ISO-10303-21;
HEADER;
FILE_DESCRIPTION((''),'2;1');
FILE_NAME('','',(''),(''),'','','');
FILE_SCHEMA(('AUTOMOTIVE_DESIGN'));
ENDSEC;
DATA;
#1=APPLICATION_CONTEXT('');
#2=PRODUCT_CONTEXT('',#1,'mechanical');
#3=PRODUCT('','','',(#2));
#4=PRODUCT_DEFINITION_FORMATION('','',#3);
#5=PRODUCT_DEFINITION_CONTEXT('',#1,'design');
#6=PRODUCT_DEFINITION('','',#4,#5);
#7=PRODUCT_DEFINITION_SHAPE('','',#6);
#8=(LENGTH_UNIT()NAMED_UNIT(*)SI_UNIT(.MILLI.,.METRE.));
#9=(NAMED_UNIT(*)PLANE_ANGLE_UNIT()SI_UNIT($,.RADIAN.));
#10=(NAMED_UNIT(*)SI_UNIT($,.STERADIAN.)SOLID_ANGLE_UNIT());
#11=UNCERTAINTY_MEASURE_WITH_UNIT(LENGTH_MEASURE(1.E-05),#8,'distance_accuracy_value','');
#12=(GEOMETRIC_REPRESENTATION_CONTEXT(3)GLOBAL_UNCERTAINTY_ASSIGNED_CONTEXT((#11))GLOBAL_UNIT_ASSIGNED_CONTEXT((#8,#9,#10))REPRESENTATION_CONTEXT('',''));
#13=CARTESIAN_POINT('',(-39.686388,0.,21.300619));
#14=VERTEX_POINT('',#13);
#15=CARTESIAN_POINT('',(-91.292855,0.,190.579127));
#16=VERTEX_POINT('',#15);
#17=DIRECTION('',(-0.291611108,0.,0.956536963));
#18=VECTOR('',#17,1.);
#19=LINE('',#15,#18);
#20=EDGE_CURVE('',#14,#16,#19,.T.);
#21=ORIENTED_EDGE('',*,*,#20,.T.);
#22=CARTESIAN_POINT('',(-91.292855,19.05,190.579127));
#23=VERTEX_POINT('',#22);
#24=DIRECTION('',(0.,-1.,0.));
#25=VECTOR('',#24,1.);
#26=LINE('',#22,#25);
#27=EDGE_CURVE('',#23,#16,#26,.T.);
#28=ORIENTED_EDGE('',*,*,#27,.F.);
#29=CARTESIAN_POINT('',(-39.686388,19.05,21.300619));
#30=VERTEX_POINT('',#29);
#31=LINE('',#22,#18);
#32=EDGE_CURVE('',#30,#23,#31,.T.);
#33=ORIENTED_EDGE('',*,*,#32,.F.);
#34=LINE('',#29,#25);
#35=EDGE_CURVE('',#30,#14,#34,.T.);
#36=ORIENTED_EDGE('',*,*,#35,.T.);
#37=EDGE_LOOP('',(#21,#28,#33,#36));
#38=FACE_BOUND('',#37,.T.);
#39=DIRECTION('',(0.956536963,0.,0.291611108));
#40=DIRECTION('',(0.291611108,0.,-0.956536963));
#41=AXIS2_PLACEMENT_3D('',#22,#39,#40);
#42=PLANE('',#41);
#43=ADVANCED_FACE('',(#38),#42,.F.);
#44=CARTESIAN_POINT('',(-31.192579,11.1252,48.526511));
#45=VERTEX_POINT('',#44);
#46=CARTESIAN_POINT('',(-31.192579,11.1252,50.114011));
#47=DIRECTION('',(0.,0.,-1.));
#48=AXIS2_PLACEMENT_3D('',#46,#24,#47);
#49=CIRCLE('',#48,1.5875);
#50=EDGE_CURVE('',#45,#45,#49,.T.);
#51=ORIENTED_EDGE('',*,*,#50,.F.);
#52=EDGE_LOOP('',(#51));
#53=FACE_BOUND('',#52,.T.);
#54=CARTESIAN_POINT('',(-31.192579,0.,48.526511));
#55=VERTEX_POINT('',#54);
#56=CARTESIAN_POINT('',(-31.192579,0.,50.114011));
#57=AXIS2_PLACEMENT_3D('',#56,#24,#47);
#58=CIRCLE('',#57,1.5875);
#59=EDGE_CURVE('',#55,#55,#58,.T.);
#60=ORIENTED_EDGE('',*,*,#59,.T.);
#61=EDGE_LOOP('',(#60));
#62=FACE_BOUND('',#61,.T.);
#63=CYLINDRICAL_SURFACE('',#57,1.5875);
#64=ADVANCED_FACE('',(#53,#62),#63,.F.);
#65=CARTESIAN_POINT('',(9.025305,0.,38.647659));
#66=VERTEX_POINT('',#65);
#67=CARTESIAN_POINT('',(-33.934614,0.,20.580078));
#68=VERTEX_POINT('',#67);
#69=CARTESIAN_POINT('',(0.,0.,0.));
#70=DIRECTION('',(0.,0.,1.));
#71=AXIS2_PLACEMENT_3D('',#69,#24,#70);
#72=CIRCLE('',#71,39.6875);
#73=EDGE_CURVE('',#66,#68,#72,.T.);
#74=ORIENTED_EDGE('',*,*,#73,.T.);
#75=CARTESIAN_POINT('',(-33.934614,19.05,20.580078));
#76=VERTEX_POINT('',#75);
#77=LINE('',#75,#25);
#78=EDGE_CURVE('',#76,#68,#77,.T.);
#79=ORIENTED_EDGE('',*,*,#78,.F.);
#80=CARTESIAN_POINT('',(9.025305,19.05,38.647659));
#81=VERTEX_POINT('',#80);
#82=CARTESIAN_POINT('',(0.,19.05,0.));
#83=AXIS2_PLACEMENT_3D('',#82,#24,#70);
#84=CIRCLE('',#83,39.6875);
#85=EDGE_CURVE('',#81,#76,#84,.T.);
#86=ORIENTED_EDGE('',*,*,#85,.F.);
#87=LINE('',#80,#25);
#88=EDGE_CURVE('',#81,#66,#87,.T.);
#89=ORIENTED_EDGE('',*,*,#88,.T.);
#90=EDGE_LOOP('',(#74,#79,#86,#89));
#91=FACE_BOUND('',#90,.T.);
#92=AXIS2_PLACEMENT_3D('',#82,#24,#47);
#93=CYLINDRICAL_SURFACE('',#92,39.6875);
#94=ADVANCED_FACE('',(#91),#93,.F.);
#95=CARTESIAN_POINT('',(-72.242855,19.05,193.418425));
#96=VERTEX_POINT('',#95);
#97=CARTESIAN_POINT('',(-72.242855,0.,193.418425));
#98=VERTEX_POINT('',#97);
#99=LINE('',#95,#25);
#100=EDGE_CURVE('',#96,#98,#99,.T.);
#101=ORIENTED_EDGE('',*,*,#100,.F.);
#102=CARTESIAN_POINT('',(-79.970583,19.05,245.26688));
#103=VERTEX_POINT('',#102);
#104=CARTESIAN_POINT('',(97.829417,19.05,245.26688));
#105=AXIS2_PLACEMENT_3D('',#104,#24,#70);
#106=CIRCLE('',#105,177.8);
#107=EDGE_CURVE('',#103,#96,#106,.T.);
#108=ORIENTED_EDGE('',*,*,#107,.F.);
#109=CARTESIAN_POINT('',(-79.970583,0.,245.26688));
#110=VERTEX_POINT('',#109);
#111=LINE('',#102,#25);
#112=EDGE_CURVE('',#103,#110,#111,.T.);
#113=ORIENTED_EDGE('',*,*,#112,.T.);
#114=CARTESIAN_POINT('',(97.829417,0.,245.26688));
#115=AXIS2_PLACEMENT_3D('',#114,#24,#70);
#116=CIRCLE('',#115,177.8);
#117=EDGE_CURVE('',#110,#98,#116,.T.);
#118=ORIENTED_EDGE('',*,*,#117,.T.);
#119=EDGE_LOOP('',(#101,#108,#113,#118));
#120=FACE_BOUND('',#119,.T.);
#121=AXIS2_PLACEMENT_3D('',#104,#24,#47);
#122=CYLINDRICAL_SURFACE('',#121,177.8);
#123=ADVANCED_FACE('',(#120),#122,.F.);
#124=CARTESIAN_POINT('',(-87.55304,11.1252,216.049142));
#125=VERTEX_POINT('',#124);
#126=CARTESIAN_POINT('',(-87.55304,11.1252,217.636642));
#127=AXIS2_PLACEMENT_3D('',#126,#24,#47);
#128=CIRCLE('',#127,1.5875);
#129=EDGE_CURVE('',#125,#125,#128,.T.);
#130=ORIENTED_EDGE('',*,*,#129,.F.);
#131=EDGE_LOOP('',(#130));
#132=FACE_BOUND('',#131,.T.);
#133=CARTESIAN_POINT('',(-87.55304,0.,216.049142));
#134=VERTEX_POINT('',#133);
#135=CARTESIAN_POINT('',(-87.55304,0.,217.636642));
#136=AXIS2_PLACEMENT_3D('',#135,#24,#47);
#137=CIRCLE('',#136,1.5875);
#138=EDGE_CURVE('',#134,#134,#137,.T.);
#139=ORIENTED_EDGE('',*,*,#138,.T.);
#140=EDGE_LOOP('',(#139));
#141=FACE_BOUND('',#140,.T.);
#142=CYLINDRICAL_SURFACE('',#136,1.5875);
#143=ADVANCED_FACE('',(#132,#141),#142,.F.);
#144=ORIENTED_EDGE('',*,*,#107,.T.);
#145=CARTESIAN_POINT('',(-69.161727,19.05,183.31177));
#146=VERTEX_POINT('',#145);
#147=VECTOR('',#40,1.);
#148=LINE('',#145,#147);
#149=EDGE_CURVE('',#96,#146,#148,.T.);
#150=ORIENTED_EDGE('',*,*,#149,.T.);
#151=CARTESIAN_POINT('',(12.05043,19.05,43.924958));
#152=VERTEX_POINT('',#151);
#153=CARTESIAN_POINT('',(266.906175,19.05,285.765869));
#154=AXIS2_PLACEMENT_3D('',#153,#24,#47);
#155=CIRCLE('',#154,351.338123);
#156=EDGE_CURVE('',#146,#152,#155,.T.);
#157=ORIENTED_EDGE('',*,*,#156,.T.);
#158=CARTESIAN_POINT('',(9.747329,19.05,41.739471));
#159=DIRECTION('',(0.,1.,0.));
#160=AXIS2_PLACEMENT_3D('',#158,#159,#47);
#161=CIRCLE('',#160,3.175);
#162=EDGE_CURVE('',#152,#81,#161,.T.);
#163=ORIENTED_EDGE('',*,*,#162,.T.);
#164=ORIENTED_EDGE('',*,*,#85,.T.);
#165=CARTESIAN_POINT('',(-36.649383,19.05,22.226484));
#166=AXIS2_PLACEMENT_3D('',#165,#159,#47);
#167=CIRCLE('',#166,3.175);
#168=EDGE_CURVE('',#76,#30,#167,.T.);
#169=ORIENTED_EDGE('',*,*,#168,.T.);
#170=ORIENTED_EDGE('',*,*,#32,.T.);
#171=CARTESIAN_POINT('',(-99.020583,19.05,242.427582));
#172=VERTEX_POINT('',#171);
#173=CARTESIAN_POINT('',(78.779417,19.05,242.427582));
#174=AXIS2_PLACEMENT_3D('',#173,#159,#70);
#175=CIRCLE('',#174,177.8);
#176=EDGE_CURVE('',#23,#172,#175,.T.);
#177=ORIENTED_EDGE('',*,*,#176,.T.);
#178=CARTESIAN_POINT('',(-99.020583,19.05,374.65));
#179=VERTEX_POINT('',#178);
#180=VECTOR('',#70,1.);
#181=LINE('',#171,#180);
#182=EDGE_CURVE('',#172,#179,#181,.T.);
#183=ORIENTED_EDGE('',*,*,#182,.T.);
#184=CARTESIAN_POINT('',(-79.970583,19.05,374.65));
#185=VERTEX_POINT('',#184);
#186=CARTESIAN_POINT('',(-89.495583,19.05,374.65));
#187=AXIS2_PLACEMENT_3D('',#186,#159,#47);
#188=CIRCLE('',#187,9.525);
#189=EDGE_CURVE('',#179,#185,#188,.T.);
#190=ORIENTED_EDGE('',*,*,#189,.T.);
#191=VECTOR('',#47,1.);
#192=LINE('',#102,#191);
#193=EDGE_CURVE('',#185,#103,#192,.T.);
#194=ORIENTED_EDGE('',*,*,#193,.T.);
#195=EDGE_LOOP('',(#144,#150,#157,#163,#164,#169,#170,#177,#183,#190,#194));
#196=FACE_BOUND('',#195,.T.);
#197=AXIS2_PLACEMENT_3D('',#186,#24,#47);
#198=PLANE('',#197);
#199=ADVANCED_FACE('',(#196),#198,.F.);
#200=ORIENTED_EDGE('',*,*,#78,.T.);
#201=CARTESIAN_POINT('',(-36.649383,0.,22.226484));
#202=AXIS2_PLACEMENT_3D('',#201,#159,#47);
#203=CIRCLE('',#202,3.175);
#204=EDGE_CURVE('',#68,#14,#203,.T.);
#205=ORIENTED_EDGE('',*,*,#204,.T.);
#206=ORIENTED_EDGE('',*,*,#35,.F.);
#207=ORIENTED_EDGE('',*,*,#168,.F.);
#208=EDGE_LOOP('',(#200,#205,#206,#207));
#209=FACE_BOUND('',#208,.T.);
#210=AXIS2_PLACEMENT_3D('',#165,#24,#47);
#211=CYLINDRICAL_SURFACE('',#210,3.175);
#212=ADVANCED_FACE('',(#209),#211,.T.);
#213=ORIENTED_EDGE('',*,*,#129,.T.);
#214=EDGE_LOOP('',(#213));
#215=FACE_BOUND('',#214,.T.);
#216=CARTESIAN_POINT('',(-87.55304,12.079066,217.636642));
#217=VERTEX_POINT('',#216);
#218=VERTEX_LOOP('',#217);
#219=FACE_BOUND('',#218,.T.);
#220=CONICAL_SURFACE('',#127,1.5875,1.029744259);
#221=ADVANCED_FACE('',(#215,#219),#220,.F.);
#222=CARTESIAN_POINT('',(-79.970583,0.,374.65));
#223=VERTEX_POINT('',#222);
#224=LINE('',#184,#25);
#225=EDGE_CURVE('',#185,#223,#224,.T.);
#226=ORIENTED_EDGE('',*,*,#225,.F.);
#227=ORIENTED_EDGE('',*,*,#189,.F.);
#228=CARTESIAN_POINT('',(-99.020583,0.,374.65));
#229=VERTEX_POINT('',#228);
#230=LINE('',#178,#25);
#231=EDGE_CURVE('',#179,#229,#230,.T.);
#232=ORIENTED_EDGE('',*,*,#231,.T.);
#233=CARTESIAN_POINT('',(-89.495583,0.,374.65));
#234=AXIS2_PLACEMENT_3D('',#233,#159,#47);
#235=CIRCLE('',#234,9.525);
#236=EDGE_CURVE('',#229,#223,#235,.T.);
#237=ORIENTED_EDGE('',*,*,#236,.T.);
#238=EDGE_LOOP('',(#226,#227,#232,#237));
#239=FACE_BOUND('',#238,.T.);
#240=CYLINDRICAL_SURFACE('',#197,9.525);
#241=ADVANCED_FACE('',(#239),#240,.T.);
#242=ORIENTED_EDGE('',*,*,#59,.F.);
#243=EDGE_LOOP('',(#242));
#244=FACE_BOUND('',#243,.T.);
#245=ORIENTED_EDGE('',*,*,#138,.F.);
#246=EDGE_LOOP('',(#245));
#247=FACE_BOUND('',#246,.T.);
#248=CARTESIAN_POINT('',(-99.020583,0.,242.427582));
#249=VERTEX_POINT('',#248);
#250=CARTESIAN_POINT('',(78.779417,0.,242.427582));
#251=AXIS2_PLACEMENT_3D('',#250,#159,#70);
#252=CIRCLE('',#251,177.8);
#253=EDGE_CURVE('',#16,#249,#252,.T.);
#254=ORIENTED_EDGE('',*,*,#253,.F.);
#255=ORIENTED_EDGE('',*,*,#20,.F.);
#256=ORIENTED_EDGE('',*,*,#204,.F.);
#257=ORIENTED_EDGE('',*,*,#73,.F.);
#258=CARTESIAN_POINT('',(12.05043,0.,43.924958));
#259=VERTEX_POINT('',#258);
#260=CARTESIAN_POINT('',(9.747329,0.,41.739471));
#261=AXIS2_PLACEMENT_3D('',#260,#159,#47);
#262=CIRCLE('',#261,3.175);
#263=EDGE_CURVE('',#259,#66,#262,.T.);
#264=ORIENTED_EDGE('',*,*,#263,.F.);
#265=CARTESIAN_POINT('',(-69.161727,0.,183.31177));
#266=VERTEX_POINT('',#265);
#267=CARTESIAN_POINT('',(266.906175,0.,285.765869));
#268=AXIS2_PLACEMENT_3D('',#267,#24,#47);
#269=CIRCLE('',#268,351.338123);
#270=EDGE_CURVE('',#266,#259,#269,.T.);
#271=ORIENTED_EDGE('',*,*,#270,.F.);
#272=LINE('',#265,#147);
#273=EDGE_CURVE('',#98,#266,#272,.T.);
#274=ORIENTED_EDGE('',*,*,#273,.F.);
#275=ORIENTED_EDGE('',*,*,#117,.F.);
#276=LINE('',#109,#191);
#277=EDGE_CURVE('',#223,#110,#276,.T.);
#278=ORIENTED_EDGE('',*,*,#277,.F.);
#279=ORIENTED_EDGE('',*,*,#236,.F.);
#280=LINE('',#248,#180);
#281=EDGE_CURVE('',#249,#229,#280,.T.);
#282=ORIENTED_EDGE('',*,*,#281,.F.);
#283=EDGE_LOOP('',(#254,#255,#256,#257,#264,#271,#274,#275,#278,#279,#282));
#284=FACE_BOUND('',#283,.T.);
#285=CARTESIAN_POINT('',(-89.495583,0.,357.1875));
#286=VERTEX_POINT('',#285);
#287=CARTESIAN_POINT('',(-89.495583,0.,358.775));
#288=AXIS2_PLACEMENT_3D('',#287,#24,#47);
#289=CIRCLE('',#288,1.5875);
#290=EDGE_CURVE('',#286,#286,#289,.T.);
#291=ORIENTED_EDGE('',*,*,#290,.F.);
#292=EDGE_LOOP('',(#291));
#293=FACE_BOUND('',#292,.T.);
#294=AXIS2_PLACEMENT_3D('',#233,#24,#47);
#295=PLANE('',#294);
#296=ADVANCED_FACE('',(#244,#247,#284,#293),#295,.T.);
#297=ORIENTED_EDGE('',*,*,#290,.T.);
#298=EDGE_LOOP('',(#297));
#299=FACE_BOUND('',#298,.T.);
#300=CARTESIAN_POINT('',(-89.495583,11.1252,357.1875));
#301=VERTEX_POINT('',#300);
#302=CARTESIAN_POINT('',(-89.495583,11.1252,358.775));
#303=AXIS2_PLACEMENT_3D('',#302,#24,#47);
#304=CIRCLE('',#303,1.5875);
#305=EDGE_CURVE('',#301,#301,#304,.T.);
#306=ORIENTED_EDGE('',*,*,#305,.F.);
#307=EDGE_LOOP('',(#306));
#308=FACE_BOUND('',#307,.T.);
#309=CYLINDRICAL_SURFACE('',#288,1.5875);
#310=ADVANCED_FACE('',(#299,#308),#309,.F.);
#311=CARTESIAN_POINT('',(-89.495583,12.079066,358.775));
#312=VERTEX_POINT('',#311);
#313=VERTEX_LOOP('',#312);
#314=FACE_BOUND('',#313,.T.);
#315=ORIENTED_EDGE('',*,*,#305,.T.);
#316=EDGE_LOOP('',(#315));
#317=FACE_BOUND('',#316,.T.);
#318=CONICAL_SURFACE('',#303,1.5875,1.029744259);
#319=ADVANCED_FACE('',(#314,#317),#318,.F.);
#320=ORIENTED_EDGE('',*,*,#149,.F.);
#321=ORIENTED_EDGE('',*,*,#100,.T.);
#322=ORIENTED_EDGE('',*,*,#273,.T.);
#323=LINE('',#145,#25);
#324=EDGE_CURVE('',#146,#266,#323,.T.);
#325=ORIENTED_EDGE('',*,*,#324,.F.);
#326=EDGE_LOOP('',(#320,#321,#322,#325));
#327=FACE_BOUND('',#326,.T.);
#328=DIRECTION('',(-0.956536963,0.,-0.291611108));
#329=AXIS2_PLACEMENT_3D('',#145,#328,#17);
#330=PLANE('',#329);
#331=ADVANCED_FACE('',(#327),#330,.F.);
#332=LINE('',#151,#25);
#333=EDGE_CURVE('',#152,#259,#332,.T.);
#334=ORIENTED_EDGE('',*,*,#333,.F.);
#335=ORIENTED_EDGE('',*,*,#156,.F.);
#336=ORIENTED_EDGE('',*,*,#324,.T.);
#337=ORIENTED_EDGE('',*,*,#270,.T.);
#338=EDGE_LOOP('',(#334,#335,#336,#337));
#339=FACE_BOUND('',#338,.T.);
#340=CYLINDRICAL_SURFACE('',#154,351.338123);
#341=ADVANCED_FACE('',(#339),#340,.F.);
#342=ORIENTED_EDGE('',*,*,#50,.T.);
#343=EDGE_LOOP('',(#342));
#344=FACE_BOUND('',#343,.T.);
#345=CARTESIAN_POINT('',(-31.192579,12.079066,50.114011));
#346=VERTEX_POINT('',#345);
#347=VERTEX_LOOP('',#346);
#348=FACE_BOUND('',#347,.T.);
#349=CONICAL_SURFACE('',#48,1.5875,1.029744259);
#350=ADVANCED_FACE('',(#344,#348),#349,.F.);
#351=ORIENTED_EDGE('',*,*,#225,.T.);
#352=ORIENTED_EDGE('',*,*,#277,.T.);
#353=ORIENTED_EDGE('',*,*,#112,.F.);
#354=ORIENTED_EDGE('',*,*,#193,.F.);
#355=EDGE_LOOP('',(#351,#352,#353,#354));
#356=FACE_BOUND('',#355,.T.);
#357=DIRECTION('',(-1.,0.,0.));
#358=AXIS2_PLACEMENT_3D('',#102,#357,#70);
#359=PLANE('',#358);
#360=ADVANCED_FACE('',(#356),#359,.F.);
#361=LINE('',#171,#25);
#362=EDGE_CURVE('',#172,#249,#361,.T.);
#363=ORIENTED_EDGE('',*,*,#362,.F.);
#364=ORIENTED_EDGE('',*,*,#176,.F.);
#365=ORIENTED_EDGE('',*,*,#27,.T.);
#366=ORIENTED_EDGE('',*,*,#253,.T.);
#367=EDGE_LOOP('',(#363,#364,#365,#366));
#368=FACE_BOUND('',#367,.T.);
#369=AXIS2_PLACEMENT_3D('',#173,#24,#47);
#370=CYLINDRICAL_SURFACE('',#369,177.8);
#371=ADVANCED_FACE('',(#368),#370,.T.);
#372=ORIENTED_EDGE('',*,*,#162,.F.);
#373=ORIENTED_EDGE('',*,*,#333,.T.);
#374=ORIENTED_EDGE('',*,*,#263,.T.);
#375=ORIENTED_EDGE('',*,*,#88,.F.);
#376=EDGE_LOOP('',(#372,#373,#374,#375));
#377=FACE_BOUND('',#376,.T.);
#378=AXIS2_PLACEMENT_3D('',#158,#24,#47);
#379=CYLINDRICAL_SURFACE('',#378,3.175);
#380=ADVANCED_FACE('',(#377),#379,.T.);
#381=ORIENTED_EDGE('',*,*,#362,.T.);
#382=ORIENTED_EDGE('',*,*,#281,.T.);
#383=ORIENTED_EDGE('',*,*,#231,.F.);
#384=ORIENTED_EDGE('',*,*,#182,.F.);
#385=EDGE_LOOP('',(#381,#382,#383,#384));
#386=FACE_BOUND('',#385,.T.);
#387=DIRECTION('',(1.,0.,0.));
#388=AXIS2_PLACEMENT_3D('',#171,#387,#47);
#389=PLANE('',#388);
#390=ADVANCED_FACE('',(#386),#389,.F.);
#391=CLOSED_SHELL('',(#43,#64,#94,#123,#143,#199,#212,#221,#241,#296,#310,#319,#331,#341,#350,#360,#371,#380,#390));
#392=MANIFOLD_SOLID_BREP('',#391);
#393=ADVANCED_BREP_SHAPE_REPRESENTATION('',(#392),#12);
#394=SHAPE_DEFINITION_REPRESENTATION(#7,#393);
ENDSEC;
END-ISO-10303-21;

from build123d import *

# Parameters (mm, degrees)
BOSS_EXTRUDE1_DEPTH              = 19.05
F_1_8_0_125_DIAMETER_HOLE1_D     = 3.175
F_1_8_0_125_DIAMETER_HOLE1_DEPTH = 11.1252
F_1_8_0_125_DIAMETER_HOLE1_TIP   = 0.953866233


with BuildPart() as part:
    # Sketch1 → Boss-Extrude1 (new body)
    with BuildSketch(Plane(origin=(0, 0, 0), x_dir=(1, 0, 0), z_dir=(0, 1, 0))):
        with BuildLine():
            Line((-99.020583087, -242.427582229), (-99.020583087, -374.65))
            ThreePointArc((-99.020583087, -374.65), (-89.495583087, -384.175), (-79.970583087, -374.65))
            Line((-79.970583087, -374.65), (-79.970583087, -245.266880288))
            ThreePointArc((-79.970583087, -245.266880288), (-78.028039526, -219.05629054), (-72.242855135, -193.418425341))
            Line((-72.242855135, -193.418425341), (-69.161727013, -183.311770075))
            ThreePointArc((-69.161727013, -183.311770075), (-36.664014716, -108.894116093), (12.050429612, -43.924958467))
            ThreePointArc((12.050429612, -43.924958467), (12.501856954, -40.160483954), (9.02530478, -38.647658789))
            ThreePointArc((9.02530478, -38.647658789), (-15.385960803, -36.583737732), (-33.934614128, -20.580078236))
            ThreePointArc((-33.934614128, -20.580078236), (-37.044039814, -19.076108136), (-39.686388117, -21.300619228))
            Line((-39.686388117, -21.300619228), (-91.292855135, -190.579127282))
            ThreePointArc((-91.292855135, -190.579127282), (-97.078039526, -216.216992482), (-99.020583087, -242.427582229))
        make_face()
    extrude(amount=BOSS_EXTRUDE1_DEPTH)

    # 1/8 (0.125) Diameter Hole1
    with Locations(Plane(origin=(0, 0, 0), x_dir=(-1, 0, 0), z_dir=(0, -1, 0))):
        with Locations((89.495583087, -358.775), (31.192579134, -50.114011233), (87.553039526, -217.636641511)):
            Hole(F_1_8_0_125_DIAMETER_HOLE1_D / 2, depth=F_1_8_0_125_DIAMETER_HOLE1_DEPTH)
            with Locations((0, 0, -(F_1_8_0_125_DIAMETER_HOLE1_DEPTH + F_1_8_0_125_DIAMETER_HOLE1_TIP / 2))):  # 118° drill point
                Cone(0, F_1_8_0_125_DIAMETER_HOLE1_D / 2, F_1_8_0_125_DIAMETER_HOLE1_TIP, mode=Mode.SUBTRACT)


solid = part.part
